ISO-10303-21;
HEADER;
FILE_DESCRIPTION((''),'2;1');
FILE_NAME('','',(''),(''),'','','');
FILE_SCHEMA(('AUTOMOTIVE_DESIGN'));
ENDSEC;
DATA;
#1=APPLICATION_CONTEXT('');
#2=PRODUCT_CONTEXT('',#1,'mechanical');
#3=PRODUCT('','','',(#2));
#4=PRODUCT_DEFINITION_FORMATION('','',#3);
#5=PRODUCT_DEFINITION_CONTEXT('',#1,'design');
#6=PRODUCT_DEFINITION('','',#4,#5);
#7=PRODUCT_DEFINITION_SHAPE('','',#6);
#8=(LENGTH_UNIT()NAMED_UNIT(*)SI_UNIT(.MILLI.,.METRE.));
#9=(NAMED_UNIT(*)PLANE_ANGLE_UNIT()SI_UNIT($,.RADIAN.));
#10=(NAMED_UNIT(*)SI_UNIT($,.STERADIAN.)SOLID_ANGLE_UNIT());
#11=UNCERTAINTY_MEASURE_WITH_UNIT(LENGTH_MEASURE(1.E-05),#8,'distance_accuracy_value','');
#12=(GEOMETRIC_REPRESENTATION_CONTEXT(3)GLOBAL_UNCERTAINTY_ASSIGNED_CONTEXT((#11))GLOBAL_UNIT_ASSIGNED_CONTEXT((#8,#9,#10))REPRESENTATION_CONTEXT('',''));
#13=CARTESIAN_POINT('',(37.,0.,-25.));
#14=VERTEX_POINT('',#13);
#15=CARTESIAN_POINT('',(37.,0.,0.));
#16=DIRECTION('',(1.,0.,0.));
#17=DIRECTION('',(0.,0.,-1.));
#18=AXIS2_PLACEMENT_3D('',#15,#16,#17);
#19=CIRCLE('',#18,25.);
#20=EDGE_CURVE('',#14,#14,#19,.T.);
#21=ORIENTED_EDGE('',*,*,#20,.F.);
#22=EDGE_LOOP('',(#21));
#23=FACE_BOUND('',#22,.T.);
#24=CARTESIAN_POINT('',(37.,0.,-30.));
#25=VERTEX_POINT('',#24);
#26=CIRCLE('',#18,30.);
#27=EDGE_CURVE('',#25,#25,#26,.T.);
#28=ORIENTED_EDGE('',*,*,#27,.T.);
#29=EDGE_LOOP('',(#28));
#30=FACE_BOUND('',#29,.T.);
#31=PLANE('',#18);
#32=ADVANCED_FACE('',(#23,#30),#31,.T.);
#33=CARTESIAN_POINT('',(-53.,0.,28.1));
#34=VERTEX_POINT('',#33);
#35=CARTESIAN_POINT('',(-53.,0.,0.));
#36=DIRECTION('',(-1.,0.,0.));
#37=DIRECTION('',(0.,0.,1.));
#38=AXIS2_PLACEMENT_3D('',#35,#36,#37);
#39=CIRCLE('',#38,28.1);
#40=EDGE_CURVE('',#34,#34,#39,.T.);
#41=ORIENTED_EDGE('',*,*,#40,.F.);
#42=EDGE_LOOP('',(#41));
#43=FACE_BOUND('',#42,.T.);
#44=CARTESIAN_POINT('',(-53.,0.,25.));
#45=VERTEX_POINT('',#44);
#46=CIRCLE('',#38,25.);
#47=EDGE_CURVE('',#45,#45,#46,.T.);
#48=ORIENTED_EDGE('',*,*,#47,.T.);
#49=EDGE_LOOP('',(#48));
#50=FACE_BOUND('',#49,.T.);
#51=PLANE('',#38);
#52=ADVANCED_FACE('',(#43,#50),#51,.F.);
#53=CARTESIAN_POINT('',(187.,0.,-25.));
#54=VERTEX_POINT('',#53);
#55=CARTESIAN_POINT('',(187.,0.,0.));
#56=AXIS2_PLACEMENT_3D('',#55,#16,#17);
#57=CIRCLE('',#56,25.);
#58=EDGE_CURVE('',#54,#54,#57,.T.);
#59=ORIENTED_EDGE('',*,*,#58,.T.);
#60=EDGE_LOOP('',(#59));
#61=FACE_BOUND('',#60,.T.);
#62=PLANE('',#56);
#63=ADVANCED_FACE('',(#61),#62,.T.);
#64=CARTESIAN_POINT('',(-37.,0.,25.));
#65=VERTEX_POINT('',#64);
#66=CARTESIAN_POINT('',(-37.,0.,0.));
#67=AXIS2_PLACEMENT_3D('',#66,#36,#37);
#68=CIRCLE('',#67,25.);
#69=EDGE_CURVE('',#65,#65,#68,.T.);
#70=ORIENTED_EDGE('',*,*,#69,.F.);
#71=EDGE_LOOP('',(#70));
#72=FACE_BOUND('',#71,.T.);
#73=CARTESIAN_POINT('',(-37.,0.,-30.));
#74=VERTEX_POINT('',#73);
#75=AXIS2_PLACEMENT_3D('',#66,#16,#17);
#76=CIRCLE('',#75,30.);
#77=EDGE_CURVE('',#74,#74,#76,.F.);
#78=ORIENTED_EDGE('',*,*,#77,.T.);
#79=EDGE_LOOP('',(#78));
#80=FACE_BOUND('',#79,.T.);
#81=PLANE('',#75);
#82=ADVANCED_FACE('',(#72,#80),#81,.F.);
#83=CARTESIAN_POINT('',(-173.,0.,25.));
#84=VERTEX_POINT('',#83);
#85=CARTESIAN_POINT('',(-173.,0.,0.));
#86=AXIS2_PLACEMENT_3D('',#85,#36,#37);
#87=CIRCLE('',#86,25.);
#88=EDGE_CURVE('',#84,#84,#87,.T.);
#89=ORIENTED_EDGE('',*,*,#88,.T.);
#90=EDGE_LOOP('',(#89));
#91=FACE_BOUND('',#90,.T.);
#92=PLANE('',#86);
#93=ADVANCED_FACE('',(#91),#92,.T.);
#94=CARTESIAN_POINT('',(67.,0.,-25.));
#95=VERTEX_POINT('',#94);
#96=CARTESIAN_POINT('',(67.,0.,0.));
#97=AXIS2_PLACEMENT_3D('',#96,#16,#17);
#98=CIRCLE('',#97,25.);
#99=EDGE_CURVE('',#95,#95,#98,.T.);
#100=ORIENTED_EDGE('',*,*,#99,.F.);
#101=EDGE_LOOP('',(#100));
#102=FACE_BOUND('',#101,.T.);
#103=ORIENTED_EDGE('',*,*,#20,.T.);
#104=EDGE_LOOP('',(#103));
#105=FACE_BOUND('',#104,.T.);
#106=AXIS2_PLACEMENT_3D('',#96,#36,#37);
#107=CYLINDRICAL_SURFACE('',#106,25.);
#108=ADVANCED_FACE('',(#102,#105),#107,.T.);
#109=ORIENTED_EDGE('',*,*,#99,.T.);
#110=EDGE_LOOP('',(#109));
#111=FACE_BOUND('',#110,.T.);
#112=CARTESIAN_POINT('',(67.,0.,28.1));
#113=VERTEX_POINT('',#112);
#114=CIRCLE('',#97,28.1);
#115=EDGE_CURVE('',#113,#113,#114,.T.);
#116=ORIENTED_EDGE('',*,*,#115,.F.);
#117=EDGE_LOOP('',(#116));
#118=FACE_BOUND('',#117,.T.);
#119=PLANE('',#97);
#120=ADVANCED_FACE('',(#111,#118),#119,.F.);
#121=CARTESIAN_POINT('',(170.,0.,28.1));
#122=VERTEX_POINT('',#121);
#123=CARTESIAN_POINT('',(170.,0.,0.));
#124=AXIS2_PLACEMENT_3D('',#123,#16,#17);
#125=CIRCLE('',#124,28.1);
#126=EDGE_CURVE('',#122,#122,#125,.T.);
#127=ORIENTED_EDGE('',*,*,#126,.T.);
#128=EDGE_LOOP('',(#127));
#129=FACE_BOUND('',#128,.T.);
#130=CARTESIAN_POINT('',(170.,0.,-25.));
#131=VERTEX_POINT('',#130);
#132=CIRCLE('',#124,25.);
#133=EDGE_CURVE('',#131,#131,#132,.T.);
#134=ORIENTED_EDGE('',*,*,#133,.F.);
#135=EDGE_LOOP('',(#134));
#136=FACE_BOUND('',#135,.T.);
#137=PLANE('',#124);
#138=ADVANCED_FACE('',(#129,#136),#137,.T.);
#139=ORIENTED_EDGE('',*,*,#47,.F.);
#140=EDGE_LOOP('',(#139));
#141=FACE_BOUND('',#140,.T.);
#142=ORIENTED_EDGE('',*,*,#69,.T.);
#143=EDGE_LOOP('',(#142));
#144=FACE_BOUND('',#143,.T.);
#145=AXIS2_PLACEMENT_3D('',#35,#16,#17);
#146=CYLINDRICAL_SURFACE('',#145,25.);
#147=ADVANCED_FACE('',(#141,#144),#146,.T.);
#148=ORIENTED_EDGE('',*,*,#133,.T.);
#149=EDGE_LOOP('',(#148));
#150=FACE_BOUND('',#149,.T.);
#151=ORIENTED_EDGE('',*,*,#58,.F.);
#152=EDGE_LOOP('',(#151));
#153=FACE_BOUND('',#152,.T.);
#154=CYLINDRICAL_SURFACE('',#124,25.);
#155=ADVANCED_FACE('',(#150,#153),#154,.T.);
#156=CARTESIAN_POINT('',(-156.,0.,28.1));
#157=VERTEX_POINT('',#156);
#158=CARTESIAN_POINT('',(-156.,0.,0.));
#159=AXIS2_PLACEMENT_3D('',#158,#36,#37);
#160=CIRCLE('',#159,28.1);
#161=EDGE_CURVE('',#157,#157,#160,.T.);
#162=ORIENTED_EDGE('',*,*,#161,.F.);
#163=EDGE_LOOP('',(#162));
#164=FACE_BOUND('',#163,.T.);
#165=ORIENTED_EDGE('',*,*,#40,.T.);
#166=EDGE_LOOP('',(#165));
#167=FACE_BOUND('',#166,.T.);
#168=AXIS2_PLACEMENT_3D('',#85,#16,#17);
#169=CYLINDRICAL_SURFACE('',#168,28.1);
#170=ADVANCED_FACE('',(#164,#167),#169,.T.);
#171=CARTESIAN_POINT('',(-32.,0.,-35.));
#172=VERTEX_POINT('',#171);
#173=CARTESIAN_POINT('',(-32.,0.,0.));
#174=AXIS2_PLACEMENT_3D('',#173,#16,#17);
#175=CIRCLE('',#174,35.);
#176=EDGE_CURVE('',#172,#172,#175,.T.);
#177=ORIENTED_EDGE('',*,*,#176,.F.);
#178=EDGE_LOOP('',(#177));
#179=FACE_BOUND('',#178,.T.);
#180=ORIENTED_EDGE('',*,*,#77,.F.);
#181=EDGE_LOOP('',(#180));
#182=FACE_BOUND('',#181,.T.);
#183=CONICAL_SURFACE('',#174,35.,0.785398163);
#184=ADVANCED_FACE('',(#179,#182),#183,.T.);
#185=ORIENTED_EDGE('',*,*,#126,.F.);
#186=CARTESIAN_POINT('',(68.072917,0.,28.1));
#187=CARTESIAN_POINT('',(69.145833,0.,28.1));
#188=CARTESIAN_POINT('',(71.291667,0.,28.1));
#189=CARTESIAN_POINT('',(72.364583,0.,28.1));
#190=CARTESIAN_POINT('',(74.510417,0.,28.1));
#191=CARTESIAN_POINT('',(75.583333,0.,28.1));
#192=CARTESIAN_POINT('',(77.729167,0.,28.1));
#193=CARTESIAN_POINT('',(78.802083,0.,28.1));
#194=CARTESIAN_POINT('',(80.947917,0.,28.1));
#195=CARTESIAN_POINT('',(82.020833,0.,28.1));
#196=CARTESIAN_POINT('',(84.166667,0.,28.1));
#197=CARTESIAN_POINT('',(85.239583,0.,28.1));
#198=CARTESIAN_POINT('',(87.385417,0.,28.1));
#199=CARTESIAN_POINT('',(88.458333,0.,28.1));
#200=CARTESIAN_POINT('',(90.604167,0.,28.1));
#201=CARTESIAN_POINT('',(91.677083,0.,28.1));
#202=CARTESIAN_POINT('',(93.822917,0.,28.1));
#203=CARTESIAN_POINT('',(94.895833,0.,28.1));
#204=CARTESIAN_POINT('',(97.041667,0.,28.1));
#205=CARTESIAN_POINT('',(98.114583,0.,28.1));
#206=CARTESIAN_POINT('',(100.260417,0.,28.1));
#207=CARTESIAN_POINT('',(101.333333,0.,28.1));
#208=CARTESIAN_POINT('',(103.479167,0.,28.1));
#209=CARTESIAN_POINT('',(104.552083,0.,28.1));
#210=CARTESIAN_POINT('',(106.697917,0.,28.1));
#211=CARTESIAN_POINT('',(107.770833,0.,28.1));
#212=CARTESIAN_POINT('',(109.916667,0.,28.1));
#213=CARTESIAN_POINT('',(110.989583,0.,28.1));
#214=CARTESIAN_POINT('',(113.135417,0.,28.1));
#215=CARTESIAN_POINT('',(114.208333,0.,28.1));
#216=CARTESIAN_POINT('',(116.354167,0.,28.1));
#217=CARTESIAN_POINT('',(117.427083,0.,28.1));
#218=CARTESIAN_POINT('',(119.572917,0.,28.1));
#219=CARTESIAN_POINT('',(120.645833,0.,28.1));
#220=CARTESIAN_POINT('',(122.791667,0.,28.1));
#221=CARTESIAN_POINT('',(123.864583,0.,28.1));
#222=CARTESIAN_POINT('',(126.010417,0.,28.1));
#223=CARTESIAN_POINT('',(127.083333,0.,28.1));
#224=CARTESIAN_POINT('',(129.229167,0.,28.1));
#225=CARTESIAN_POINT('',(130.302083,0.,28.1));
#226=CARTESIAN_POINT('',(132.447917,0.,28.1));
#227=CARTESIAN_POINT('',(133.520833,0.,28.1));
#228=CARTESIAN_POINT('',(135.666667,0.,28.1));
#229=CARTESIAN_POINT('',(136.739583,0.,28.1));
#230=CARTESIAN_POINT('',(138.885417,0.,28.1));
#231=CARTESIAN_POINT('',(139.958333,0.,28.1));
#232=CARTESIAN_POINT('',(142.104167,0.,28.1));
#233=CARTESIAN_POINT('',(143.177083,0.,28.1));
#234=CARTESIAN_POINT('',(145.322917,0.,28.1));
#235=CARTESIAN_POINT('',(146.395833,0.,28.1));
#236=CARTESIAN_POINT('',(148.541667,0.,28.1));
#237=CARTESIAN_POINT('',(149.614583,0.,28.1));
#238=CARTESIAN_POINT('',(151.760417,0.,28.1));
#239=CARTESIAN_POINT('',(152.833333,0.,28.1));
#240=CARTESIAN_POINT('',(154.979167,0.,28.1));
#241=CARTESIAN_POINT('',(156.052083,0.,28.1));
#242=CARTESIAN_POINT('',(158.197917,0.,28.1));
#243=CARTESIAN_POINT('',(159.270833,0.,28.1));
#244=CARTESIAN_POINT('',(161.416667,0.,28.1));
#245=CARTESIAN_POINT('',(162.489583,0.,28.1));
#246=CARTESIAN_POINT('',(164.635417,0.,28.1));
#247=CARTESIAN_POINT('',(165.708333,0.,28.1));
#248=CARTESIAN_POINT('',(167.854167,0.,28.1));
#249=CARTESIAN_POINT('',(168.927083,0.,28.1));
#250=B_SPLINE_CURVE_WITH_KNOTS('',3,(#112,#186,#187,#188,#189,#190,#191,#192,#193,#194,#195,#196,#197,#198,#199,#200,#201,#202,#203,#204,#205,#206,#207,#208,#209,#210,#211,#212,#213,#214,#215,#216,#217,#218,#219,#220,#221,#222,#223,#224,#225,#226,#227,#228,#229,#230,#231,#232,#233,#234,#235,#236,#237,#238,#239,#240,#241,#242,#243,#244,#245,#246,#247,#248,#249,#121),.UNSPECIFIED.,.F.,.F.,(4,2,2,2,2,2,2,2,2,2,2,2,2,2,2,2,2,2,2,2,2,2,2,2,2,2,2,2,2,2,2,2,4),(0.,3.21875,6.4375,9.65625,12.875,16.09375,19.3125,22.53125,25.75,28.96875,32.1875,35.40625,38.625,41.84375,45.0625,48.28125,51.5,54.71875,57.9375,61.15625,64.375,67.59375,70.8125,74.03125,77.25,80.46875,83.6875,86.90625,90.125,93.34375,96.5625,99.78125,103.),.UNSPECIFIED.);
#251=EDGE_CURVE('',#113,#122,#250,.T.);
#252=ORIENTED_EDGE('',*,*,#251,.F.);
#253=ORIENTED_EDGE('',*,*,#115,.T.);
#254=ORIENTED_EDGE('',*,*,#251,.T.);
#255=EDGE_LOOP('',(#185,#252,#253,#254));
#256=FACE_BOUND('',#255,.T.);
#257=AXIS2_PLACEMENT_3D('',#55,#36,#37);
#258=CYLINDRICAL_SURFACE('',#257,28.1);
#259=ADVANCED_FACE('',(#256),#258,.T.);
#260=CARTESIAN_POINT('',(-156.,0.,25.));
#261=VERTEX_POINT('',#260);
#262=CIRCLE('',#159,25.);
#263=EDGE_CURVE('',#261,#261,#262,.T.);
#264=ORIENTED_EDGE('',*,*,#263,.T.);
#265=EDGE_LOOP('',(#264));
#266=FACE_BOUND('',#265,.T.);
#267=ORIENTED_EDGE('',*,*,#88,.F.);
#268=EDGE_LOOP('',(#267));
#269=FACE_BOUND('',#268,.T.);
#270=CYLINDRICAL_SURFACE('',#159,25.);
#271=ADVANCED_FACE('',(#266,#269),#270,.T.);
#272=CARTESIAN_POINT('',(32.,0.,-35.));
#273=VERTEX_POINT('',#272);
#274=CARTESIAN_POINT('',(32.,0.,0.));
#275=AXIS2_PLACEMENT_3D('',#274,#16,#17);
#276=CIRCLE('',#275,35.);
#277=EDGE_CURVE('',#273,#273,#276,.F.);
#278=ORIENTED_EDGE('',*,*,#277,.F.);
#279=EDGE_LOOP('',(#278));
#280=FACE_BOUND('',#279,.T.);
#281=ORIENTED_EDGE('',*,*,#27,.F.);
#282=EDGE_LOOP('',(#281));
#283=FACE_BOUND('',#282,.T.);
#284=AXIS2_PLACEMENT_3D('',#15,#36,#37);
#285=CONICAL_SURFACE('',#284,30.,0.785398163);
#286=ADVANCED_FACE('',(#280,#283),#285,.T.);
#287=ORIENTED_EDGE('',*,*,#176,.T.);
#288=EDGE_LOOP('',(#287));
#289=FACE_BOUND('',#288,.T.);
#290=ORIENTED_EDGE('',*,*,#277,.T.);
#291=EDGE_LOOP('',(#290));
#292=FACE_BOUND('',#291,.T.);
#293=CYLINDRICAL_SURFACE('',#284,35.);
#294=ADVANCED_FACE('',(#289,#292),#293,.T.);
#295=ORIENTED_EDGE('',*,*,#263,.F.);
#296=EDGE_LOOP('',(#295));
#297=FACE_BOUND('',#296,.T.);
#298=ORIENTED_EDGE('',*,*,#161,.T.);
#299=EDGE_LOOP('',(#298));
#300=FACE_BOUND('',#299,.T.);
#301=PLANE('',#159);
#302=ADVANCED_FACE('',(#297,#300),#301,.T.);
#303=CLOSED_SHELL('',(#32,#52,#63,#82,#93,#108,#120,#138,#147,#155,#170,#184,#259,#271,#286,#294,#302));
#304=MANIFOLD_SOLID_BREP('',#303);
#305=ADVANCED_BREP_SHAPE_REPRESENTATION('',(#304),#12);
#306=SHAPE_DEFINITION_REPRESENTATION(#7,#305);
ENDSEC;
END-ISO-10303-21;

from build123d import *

# Parameters (mm, degrees)
CROQUIS1_R              = 35
SALIENTE_EXTRUIR1_DEPTH = 37
CHAFL_N1_SIZE           = 5
CROQUIS2_R              = 25
SALIENTE_EXTRUIR2_DEPTH = 16
CROQUIS3_R              = 28.1
SALIENTE_EXTRUIR3_DEPTH = 120
SALIENTE_EXTRUIR4_START = 30
CROQUIS4_R              = 25
SALIENTE_EXTRUIR4_DEPTH = 30
SALIENTE_EXTRUIR5_START = 120
CROQUIS5_R              = 28.1
SALIENTE_EXTRUIR5_DEPTH = 120
CORTAR_EXTRUIR1_START   = -17
CROQUIS6_R              = 28.1
CROQUIS6_R_2            = 25
CORTAR_EXTRUIR1_DEPTH   = 17
CROQUIS8_R              = 28.1
CROQUIS8_R_2            = 25
CORTAR_EXTRUIR2_DEPTH   = 17


with BuildPart() as part:
    # Croquis1 → Saliente-Extruir1 (new, symmetric)
    with BuildSketch(Plane(origin=(0, 0, 0), x_dir=(0, 0, -1), z_dir=(1, 0, 0))):
        Circle(CROQUIS1_R)
    extrude(amount=SALIENTE_EXTRUIR1_DEPTH, both=True)

    # Chaflán1
    chafl_n1_edges = [part.edges().sort_by_distance(p)[0] for p in [
        (-37, 0, 35),
        (37, 0, 35),
    ]]
    chamfer(chafl_n1_edges, length=CHAFL_N1_SIZE)

    # Croquis2 → Saliente-Extruir2 (add)
    with BuildSketch(Plane.ZY.offset(37)):
        Circle(CROQUIS2_R)
    extrude(amount=SALIENTE_EXTRUIR2_DEPTH)

    # Croquis3 → Saliente-Extruir3 (add)
    with BuildSketch(Plane.ZY.offset(53)):
        Circle(CROQUIS3_R)
    extrude(amount=SALIENTE_EXTRUIR3_DEPTH)

    # Croquis4 → Saliente-Extruir4 (add)
    with BuildSketch(Plane(origin=(37, 0, 0), x_dir=(0, 0, -1), z_dir=(1, 0, 0)).offset(SALIENTE_EXTRUIR4_START)):
        with Locations(Location((0, 0, 0), (0, 0, 180))):
            Circle(CROQUIS4_R)
    extrude(amount=-SALIENTE_EXTRUIR4_DEPTH)

    # Croquis5 → Saliente-Extruir5 (add)
    with BuildSketch(Plane(origin=(67, 0, 0), x_dir=(0, 0, -1), z_dir=(1, 0, 0)).offset(SALIENTE_EXTRUIR5_START)):
        with Locations(Location((0, 0, 0), (0, 0, 180))):
            Circle(CROQUIS5_R)
    extrude(amount=-SALIENTE_EXTRUIR5_DEPTH)

    # Croquis6 → Cortar-Extruir1 (cut)
    with BuildSketch(Plane.ZY.offset(173).offset(CORTAR_EXTRUIR1_START)):
        Circle(CROQUIS6_R)
        Circle(CROQUIS6_R_2, mode=Mode.SUBTRACT)
    extrude(amount=CORTAR_EXTRUIR1_DEPTH, mode=Mode.SUBTRACT)

    # Croquis8 → Cortar-Extruir2 (cut)
    with BuildSketch(Plane(origin=(187, 0, 0), x_dir=(0, 0, -1), z_dir=(1, 0, 0))):
        with Locations(Location((0, 0, 0), (0, 0, 180))):
            Circle(CROQUIS8_R)
        with Locations(Location((0, 0, 0), (0, 0, 180))):
            Circle(CROQUIS8_R_2, mode=Mode.SUBTRACT)
    extrude(amount=-CORTAR_EXTRUIR2_DEPTH, mode=Mode.SUBTRACT)


solid = part.part
